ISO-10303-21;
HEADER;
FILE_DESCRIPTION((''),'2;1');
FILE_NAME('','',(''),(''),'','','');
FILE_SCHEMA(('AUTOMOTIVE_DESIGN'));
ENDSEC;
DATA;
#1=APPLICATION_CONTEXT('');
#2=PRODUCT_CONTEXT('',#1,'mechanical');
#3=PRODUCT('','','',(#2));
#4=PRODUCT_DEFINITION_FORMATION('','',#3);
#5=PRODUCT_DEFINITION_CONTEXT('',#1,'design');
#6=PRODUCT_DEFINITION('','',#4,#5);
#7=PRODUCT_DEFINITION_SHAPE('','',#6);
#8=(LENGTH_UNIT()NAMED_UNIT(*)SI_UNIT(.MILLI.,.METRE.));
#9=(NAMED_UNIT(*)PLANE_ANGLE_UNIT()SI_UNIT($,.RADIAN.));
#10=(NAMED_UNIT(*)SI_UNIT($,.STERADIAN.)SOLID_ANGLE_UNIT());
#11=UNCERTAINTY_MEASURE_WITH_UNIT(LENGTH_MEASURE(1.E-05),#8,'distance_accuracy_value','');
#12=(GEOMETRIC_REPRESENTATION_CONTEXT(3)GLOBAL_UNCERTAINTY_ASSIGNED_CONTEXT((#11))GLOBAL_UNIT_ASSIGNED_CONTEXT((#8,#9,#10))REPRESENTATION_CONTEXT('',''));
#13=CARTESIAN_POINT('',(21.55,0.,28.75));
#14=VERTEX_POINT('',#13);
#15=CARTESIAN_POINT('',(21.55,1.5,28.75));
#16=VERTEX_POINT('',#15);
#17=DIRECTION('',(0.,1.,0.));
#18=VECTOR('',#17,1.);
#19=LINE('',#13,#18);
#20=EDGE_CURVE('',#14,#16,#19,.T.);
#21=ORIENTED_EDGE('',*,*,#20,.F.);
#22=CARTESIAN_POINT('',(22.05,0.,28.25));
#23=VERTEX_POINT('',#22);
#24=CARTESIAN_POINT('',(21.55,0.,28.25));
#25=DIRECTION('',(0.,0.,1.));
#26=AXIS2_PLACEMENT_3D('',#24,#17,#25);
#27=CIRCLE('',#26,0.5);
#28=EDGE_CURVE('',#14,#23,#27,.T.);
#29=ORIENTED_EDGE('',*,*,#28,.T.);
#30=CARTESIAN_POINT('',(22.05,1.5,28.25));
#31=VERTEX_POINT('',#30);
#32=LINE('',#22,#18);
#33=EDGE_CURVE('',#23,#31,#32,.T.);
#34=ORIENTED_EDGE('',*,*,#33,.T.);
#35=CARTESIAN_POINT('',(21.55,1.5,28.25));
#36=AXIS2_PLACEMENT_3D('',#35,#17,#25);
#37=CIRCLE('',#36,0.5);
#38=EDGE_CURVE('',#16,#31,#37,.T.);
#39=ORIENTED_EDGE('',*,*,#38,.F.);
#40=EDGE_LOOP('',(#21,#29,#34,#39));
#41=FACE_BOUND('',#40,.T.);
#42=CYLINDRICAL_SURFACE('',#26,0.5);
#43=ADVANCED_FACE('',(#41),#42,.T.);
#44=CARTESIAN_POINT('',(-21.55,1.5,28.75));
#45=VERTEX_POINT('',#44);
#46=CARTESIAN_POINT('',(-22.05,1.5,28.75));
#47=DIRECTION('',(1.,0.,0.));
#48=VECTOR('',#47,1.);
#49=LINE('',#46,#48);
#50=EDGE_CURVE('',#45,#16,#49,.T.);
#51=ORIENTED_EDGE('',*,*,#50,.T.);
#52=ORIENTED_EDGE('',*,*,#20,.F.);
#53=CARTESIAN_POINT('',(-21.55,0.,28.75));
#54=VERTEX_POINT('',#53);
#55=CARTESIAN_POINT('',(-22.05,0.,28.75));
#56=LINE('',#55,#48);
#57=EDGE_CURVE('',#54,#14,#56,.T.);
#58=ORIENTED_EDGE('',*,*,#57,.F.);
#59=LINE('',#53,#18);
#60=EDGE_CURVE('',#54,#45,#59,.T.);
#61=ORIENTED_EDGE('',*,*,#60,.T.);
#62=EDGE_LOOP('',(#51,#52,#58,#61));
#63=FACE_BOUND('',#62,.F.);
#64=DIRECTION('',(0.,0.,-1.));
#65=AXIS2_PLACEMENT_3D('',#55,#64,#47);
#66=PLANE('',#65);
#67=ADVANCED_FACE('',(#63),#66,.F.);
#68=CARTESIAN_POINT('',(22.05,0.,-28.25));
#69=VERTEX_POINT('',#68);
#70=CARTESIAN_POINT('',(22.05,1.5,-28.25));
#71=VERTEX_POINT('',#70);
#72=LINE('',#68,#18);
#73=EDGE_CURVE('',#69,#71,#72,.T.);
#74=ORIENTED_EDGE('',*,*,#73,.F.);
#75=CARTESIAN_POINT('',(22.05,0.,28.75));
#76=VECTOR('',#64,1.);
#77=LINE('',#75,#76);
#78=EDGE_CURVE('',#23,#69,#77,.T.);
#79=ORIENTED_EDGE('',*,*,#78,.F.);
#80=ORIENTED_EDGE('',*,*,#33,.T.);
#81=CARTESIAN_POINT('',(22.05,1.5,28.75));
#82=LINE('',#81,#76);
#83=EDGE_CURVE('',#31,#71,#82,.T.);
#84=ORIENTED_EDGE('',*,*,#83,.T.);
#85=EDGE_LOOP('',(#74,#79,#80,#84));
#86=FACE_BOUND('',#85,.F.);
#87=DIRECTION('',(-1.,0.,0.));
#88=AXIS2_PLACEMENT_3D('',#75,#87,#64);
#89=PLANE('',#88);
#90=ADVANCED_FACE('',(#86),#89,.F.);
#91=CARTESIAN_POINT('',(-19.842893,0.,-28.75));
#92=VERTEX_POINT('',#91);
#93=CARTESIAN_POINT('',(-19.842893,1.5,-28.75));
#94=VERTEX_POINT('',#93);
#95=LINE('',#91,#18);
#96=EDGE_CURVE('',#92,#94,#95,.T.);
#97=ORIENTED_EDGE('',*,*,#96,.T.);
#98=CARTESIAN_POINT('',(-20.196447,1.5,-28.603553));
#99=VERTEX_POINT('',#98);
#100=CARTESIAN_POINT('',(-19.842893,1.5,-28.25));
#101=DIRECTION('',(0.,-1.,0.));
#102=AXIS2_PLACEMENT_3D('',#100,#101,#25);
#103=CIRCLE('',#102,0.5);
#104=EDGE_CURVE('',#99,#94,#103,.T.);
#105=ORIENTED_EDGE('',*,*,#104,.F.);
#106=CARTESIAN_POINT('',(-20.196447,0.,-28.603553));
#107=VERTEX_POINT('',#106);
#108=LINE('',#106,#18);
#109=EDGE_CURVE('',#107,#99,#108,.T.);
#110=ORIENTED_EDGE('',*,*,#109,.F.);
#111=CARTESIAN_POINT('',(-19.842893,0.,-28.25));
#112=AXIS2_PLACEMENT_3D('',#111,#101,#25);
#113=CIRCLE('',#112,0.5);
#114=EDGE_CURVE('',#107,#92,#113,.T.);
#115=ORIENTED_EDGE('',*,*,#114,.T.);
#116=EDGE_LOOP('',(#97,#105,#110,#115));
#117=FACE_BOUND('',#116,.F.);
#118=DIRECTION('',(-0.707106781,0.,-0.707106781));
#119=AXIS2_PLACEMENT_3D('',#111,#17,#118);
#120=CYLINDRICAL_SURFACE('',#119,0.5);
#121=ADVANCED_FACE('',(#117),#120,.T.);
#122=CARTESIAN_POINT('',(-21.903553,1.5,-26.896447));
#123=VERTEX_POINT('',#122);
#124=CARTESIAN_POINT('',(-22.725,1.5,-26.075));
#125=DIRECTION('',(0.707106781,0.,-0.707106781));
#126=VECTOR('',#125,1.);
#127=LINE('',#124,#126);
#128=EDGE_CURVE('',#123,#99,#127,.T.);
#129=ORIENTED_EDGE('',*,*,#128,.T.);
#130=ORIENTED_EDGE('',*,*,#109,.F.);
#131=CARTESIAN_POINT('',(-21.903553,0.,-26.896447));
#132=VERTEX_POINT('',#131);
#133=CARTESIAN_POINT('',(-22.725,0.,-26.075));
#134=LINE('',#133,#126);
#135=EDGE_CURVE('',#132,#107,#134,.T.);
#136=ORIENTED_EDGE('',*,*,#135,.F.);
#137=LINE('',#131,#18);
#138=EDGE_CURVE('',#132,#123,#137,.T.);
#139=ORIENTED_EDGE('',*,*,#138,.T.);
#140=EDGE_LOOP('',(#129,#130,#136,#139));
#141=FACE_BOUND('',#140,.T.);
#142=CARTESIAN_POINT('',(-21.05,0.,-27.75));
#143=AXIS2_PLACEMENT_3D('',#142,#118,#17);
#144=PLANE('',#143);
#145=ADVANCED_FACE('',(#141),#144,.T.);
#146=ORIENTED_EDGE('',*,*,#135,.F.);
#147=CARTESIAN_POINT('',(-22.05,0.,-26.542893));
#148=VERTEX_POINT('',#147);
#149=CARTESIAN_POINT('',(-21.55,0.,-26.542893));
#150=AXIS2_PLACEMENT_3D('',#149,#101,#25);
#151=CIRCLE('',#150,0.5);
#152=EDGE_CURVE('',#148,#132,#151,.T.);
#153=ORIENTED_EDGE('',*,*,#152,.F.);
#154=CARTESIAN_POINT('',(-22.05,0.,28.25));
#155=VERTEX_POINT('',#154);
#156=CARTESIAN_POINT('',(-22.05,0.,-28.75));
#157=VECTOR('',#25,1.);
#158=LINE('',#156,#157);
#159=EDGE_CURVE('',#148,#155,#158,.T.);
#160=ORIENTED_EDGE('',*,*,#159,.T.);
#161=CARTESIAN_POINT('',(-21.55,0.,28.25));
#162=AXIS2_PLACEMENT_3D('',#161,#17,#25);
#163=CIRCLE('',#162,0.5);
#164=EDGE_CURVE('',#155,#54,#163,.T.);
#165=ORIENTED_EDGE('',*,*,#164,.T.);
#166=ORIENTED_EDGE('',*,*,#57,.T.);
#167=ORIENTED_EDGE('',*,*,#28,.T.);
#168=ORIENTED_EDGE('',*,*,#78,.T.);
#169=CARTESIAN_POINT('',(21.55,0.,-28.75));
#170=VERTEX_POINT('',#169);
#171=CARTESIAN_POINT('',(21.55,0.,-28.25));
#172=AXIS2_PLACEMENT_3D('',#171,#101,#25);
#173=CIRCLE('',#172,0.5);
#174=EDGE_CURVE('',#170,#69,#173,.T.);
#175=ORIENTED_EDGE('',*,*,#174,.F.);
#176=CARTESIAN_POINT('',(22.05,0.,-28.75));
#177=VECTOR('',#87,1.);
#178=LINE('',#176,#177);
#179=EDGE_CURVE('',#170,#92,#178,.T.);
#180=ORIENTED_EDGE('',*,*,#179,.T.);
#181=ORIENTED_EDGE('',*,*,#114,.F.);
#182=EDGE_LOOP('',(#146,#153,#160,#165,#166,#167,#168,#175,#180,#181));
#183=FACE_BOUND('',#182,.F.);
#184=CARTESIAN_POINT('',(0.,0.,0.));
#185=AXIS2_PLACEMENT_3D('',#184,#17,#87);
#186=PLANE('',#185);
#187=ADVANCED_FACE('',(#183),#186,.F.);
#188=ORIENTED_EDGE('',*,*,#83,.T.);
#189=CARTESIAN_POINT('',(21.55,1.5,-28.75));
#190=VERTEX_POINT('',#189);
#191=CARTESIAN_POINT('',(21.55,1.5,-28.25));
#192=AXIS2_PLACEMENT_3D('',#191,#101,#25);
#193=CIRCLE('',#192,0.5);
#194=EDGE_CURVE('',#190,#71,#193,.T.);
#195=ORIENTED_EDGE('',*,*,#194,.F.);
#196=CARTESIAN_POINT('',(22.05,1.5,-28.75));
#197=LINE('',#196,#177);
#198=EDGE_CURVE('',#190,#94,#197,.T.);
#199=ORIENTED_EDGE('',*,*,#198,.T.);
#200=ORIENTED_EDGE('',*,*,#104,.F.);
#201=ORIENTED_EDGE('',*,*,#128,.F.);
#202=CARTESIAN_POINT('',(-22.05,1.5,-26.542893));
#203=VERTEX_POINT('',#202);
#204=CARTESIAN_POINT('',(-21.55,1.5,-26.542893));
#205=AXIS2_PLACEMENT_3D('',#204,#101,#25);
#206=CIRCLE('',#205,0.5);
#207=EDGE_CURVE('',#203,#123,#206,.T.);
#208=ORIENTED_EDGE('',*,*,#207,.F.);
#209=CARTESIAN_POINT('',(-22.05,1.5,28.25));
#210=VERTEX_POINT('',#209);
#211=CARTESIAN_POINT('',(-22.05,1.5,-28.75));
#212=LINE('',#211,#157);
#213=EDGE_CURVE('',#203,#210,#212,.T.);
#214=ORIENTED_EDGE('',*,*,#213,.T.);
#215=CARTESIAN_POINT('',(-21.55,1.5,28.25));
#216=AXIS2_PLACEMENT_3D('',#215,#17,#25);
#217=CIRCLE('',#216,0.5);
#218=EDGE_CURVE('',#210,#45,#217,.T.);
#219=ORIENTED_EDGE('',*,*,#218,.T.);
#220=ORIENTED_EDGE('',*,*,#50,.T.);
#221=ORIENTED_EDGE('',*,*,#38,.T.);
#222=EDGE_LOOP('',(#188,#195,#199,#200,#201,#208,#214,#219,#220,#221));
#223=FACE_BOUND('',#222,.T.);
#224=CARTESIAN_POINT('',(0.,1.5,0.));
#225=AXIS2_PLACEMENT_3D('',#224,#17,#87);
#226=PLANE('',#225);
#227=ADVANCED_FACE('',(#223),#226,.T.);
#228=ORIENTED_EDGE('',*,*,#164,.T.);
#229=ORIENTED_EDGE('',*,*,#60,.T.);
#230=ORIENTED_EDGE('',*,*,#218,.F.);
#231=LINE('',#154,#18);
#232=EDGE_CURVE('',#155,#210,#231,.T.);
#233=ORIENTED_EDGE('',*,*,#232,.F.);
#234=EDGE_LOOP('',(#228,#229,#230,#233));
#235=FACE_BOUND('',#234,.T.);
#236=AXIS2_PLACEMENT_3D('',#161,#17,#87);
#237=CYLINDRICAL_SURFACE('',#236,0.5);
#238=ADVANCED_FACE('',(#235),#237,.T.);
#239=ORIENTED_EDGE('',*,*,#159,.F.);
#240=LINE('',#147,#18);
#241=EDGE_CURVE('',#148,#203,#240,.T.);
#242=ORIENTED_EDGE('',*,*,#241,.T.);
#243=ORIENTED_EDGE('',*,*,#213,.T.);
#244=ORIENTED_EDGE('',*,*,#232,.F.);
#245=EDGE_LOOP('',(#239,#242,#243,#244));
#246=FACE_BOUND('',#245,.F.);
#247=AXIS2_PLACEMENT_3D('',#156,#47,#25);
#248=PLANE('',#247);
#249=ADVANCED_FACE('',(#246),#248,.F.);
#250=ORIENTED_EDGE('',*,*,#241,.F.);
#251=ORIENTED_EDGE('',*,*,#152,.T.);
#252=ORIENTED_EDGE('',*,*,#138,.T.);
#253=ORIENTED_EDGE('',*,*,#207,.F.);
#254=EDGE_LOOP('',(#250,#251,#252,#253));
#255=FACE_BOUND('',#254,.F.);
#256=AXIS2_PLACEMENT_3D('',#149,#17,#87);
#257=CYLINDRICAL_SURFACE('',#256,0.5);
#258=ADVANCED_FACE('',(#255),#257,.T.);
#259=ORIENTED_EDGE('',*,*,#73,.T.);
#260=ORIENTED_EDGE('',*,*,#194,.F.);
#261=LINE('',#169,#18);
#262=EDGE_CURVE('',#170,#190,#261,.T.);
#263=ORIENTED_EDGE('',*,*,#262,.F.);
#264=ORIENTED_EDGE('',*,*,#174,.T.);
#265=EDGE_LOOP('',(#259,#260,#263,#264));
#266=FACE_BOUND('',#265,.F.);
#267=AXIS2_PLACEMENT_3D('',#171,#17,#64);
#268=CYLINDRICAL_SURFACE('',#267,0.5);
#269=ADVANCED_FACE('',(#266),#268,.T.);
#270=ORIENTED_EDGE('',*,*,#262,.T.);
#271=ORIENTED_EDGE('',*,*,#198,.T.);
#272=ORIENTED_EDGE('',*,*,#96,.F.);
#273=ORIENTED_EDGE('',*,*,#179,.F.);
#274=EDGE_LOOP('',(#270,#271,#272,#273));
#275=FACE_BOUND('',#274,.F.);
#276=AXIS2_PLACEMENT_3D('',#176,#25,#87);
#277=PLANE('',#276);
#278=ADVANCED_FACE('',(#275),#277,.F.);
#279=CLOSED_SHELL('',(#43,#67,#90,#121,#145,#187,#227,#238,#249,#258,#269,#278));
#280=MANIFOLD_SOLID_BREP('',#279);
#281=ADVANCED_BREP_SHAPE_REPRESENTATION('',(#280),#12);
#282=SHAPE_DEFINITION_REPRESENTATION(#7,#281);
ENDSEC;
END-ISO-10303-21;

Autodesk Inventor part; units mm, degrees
ref_plane "YZ Plane" through (0, 0, 0) normal (1, 0, 0) x (0, 1, 0)
ref_plane "XZ Plane" through (0, 0, 0) normal (0, 1, 0) x (-1, 0, 0)
ref_plane "XY Plane" through (0, 0, 0) normal (0, 0, 1) x (1, 0, 0)
sketch "Sketch1" plane through (0, 0, 0) normal (0, 1, 0) x (-1, 0, 0)
  line L0 (-22.05, -28.75) -> (22.05, -28.75)
  line L1 (22.05, -28.75) -> (22.05, 28.75)
  line L2 (22.05, 28.75) -> (-22.05, 28.75)
  line L3 (-22.05, 28.75) -> (-22.05, -28.75)
  line L4 (-22.05, -28.75) -> (22.05, 28.75) construction
  line L5 (22.05, -28.75) -> (-22.05, 28.75) construction
  point P0 (0, 0)
  dimension "d0" = 57.5
  dimension "d1" = 44.1
extrude "Extrusion1" add sketch "Sketch1" along normal blind 1.5
chamfer "Chamfer1" distance 2 angle 45 1 edges at (-22.05, 0.75, -28.75)
fillet "Fillet1" radius 0.5 5 edges at (22.05, 0.75, 28.75) (-22.05, 0.75, 28.75) (22.05, 0.75, -28.75) (-20.05, 0.75, -28.75) (-22.05, 0.75, -26.75)
properties part number "Flex Cover V1" material "Thermoplastic Resin"
